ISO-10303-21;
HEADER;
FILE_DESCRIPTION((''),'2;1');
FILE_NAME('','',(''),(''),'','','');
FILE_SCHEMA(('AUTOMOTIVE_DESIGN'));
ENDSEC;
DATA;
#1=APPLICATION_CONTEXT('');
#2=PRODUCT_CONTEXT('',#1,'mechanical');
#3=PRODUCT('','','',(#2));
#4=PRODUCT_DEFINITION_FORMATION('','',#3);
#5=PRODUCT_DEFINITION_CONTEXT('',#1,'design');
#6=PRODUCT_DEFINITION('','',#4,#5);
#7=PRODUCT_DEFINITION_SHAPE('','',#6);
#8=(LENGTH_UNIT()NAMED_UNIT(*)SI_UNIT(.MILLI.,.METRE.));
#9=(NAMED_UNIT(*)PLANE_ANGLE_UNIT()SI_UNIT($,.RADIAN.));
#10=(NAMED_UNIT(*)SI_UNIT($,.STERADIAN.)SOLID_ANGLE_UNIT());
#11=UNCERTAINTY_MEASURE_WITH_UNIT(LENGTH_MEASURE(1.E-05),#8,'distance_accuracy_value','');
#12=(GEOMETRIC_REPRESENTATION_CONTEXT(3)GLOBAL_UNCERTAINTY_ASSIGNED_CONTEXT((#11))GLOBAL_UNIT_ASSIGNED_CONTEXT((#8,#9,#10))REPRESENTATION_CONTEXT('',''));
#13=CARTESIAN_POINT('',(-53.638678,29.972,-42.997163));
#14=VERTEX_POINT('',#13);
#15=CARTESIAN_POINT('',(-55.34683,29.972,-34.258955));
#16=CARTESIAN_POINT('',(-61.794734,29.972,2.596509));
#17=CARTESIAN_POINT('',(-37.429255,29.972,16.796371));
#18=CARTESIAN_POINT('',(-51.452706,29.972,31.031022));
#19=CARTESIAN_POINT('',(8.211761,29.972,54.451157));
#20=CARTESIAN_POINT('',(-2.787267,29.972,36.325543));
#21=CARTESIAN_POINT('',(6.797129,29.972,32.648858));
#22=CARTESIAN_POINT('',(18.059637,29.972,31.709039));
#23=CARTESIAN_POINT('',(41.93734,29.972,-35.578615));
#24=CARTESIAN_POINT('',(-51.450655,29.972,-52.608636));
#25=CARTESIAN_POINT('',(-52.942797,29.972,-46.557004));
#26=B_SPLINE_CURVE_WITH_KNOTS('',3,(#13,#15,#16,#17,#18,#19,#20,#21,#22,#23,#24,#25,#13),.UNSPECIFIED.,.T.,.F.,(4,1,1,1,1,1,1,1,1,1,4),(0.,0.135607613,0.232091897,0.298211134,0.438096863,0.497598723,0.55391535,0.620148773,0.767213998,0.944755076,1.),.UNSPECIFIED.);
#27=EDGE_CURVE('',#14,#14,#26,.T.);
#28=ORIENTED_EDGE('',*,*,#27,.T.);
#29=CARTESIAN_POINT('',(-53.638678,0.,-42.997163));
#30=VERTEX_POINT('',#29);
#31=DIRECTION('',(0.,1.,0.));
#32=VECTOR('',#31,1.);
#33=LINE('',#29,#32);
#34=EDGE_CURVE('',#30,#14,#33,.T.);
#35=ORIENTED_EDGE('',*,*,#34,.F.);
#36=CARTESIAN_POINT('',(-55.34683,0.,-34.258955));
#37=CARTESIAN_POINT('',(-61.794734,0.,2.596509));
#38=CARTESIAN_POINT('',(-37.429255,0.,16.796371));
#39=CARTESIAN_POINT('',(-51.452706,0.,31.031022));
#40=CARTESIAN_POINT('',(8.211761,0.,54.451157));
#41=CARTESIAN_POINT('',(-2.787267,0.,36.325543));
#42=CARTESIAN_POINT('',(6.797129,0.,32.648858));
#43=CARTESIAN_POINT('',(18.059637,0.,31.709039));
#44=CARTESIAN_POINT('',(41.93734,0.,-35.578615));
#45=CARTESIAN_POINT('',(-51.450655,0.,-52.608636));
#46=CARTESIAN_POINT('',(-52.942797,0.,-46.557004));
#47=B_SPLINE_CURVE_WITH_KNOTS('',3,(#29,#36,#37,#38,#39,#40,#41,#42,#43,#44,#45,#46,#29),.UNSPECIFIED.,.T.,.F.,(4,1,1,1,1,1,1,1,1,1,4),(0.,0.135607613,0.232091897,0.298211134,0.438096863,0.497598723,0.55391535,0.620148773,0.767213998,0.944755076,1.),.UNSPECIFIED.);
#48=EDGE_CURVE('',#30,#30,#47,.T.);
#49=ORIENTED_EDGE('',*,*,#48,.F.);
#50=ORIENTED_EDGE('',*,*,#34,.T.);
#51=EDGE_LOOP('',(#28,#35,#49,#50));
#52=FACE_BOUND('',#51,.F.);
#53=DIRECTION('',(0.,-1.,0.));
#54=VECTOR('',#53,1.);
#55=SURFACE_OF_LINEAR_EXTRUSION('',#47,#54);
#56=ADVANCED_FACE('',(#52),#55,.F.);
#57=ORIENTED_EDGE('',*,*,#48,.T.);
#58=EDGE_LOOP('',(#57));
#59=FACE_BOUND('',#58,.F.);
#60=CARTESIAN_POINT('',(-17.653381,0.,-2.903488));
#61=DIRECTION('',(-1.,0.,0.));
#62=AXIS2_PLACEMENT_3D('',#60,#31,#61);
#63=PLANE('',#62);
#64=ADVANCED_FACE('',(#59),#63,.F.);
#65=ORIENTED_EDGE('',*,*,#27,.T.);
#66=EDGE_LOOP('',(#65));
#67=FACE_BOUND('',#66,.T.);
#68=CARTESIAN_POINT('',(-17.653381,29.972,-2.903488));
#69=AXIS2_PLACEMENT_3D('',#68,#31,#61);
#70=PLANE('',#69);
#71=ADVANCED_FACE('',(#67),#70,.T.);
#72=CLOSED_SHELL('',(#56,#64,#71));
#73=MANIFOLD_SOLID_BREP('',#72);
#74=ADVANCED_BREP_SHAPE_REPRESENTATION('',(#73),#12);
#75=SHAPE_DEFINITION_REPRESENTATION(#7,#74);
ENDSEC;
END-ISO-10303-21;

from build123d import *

# Parameters (mm, degrees)
F1_DEPTH = 29.972


with BuildPart() as f1:
    # F0 (on Front) → F1 (new body)
    with BuildSketch(Plane.XZ):
        with BuildLine():
            add(Edge.make_bspline(
                [(-53.6386780441, -42.9971627891), (-55.3468299388, -34.258954901), (-61.7947343724, 2.5965093573), (-37.429255183, 16.7963706038), (-51.4527063043, 31.0310221533), (8.2117607014, 54.4511571085), (-2.7872673941, 36.3255431003), (6.7971289586, 32.6488583696), (18.0596372996, 31.7090394448), (41.9373397885, -35.5786154073), (-51.4506551806, -52.6086357144), (-52.9427973347, -46.5570044653), (-53.6386780441, -42.9971627891)],
                knots=[0, 0, 0, 0, 0.1356076132, 0.2320918971, 0.2982111338, 0.4380968631, 0.4975987234, 0.5539153496, 0.620148773, 0.7672139981, 0.9447550757, 1, 1, 1, 1], degree=3))
        make_face()
    extrude(amount=-F1_DEPTH)


solid = f1.part
